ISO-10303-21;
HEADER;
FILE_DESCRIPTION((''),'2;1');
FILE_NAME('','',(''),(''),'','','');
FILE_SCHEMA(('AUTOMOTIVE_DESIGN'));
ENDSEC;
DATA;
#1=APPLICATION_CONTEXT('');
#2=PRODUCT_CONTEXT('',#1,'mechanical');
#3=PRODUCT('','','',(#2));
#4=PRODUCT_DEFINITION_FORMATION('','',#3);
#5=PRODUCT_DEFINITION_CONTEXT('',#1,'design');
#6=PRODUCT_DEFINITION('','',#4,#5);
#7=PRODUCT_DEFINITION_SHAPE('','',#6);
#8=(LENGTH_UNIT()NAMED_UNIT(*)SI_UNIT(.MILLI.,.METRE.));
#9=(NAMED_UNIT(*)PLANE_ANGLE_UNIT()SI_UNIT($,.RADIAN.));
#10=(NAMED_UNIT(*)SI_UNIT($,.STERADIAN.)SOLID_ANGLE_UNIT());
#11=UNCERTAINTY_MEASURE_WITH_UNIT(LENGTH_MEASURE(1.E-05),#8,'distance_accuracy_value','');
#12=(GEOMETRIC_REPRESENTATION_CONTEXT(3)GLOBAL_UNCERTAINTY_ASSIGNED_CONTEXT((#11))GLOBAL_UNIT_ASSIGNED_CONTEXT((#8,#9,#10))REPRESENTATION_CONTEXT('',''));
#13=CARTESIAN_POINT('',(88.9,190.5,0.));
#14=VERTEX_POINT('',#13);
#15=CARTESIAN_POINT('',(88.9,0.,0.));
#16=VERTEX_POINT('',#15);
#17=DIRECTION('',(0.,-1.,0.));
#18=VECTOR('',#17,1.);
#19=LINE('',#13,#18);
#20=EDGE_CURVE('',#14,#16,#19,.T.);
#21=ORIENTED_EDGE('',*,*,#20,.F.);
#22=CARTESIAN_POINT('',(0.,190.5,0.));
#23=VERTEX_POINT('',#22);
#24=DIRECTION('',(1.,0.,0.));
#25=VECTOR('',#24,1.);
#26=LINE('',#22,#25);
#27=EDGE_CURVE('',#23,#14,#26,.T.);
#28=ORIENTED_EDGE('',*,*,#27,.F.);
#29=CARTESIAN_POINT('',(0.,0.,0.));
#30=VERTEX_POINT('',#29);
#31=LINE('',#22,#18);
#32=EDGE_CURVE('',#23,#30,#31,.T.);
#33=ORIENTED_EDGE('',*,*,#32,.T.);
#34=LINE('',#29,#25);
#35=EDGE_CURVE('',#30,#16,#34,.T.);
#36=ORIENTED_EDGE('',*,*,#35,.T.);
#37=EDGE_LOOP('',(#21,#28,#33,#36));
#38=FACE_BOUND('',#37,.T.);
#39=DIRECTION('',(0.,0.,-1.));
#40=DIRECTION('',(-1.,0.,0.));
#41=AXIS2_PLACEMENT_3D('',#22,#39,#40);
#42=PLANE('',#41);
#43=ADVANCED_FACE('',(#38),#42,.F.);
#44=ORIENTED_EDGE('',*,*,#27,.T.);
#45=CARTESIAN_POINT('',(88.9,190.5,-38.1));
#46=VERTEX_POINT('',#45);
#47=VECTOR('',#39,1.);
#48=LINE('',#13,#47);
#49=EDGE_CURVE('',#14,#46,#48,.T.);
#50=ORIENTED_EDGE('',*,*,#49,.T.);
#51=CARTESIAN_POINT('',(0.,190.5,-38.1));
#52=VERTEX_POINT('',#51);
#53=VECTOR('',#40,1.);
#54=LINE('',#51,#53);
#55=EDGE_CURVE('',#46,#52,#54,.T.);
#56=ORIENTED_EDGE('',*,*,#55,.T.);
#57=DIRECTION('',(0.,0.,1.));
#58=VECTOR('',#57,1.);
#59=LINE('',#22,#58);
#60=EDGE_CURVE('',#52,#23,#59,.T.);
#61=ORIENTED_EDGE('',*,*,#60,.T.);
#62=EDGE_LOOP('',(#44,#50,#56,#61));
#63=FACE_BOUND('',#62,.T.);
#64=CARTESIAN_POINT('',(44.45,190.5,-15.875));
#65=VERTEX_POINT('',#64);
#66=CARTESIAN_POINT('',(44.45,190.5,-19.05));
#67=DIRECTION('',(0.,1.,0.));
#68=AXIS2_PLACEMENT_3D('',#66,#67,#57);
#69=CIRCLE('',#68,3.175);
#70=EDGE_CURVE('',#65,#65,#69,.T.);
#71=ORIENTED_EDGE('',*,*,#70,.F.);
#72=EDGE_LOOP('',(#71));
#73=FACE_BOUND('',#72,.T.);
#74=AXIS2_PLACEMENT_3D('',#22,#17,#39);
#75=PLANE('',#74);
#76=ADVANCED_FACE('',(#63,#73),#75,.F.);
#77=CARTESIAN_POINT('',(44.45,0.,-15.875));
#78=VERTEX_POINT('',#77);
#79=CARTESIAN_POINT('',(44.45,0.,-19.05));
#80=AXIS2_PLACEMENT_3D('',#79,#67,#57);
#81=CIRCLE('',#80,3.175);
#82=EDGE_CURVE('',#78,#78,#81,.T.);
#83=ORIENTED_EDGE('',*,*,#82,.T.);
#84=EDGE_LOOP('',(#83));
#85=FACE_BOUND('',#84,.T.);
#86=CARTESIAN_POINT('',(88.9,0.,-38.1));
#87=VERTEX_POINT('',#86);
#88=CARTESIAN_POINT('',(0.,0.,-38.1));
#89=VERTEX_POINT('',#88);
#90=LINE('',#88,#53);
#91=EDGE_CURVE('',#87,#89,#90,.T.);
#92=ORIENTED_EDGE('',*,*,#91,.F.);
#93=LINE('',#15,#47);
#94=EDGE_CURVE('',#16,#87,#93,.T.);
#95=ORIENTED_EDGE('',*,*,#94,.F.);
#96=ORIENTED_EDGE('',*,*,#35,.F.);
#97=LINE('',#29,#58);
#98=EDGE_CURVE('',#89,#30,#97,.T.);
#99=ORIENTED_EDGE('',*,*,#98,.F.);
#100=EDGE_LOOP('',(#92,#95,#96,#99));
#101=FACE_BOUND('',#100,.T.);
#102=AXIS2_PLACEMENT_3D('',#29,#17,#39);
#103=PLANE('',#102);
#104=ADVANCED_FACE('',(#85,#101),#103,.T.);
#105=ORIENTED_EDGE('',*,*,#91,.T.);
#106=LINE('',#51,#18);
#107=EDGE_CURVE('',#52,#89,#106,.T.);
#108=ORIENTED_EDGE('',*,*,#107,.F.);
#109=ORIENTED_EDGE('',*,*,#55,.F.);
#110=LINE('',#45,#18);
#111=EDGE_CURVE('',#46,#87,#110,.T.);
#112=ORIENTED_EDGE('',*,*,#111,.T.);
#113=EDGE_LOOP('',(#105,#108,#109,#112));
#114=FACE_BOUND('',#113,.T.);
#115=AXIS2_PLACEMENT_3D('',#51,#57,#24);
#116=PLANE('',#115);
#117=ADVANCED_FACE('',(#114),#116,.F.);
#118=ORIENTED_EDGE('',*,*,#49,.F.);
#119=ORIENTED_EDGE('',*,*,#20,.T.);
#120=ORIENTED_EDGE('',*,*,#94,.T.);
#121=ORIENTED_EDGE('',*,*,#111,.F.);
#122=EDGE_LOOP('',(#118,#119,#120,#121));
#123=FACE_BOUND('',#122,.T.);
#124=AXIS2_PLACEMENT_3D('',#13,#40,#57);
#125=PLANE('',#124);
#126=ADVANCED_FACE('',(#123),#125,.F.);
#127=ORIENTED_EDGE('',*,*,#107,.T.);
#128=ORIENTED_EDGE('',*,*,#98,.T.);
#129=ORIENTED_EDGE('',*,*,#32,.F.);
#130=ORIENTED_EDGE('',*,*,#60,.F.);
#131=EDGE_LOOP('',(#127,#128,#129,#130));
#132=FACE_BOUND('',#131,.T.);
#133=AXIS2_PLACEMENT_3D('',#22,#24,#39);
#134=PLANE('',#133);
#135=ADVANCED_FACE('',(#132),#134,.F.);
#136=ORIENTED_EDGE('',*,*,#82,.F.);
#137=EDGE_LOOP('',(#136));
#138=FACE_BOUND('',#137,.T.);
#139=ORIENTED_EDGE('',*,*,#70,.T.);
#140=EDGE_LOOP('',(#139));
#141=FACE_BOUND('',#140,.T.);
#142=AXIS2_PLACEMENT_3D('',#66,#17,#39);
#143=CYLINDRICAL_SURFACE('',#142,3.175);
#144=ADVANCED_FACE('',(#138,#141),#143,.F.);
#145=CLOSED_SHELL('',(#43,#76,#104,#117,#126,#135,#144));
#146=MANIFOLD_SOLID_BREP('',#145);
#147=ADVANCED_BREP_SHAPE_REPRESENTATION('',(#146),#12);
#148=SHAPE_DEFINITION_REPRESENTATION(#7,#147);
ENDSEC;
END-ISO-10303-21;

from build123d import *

# Parameters (mm, degrees)
SKETCH1_W           = 88.9
SKETCH1_H           = 38.1
SKETCH1_R           = 3.175
BOSS_EXTRUDE1_DEPTH = 190.5


with BuildPart() as part:
    # Sketch1 → Boss-Extrude1 (new body)
    with BuildSketch(Plane(origin=(0, 0, 0), x_dir=(1, 0, 0), z_dir=(0, 1, 0))):
        with Locations((44.45, 19.05)):
            Rectangle(SKETCH1_W, SKETCH1_H)
        with Locations(Location((44.45, 19.05, 0), (0, 0, 270))):
            Circle(SKETCH1_R, mode=Mode.SUBTRACT)
    extrude(amount=BOSS_EXTRUDE1_DEPTH)


solid = part.part
